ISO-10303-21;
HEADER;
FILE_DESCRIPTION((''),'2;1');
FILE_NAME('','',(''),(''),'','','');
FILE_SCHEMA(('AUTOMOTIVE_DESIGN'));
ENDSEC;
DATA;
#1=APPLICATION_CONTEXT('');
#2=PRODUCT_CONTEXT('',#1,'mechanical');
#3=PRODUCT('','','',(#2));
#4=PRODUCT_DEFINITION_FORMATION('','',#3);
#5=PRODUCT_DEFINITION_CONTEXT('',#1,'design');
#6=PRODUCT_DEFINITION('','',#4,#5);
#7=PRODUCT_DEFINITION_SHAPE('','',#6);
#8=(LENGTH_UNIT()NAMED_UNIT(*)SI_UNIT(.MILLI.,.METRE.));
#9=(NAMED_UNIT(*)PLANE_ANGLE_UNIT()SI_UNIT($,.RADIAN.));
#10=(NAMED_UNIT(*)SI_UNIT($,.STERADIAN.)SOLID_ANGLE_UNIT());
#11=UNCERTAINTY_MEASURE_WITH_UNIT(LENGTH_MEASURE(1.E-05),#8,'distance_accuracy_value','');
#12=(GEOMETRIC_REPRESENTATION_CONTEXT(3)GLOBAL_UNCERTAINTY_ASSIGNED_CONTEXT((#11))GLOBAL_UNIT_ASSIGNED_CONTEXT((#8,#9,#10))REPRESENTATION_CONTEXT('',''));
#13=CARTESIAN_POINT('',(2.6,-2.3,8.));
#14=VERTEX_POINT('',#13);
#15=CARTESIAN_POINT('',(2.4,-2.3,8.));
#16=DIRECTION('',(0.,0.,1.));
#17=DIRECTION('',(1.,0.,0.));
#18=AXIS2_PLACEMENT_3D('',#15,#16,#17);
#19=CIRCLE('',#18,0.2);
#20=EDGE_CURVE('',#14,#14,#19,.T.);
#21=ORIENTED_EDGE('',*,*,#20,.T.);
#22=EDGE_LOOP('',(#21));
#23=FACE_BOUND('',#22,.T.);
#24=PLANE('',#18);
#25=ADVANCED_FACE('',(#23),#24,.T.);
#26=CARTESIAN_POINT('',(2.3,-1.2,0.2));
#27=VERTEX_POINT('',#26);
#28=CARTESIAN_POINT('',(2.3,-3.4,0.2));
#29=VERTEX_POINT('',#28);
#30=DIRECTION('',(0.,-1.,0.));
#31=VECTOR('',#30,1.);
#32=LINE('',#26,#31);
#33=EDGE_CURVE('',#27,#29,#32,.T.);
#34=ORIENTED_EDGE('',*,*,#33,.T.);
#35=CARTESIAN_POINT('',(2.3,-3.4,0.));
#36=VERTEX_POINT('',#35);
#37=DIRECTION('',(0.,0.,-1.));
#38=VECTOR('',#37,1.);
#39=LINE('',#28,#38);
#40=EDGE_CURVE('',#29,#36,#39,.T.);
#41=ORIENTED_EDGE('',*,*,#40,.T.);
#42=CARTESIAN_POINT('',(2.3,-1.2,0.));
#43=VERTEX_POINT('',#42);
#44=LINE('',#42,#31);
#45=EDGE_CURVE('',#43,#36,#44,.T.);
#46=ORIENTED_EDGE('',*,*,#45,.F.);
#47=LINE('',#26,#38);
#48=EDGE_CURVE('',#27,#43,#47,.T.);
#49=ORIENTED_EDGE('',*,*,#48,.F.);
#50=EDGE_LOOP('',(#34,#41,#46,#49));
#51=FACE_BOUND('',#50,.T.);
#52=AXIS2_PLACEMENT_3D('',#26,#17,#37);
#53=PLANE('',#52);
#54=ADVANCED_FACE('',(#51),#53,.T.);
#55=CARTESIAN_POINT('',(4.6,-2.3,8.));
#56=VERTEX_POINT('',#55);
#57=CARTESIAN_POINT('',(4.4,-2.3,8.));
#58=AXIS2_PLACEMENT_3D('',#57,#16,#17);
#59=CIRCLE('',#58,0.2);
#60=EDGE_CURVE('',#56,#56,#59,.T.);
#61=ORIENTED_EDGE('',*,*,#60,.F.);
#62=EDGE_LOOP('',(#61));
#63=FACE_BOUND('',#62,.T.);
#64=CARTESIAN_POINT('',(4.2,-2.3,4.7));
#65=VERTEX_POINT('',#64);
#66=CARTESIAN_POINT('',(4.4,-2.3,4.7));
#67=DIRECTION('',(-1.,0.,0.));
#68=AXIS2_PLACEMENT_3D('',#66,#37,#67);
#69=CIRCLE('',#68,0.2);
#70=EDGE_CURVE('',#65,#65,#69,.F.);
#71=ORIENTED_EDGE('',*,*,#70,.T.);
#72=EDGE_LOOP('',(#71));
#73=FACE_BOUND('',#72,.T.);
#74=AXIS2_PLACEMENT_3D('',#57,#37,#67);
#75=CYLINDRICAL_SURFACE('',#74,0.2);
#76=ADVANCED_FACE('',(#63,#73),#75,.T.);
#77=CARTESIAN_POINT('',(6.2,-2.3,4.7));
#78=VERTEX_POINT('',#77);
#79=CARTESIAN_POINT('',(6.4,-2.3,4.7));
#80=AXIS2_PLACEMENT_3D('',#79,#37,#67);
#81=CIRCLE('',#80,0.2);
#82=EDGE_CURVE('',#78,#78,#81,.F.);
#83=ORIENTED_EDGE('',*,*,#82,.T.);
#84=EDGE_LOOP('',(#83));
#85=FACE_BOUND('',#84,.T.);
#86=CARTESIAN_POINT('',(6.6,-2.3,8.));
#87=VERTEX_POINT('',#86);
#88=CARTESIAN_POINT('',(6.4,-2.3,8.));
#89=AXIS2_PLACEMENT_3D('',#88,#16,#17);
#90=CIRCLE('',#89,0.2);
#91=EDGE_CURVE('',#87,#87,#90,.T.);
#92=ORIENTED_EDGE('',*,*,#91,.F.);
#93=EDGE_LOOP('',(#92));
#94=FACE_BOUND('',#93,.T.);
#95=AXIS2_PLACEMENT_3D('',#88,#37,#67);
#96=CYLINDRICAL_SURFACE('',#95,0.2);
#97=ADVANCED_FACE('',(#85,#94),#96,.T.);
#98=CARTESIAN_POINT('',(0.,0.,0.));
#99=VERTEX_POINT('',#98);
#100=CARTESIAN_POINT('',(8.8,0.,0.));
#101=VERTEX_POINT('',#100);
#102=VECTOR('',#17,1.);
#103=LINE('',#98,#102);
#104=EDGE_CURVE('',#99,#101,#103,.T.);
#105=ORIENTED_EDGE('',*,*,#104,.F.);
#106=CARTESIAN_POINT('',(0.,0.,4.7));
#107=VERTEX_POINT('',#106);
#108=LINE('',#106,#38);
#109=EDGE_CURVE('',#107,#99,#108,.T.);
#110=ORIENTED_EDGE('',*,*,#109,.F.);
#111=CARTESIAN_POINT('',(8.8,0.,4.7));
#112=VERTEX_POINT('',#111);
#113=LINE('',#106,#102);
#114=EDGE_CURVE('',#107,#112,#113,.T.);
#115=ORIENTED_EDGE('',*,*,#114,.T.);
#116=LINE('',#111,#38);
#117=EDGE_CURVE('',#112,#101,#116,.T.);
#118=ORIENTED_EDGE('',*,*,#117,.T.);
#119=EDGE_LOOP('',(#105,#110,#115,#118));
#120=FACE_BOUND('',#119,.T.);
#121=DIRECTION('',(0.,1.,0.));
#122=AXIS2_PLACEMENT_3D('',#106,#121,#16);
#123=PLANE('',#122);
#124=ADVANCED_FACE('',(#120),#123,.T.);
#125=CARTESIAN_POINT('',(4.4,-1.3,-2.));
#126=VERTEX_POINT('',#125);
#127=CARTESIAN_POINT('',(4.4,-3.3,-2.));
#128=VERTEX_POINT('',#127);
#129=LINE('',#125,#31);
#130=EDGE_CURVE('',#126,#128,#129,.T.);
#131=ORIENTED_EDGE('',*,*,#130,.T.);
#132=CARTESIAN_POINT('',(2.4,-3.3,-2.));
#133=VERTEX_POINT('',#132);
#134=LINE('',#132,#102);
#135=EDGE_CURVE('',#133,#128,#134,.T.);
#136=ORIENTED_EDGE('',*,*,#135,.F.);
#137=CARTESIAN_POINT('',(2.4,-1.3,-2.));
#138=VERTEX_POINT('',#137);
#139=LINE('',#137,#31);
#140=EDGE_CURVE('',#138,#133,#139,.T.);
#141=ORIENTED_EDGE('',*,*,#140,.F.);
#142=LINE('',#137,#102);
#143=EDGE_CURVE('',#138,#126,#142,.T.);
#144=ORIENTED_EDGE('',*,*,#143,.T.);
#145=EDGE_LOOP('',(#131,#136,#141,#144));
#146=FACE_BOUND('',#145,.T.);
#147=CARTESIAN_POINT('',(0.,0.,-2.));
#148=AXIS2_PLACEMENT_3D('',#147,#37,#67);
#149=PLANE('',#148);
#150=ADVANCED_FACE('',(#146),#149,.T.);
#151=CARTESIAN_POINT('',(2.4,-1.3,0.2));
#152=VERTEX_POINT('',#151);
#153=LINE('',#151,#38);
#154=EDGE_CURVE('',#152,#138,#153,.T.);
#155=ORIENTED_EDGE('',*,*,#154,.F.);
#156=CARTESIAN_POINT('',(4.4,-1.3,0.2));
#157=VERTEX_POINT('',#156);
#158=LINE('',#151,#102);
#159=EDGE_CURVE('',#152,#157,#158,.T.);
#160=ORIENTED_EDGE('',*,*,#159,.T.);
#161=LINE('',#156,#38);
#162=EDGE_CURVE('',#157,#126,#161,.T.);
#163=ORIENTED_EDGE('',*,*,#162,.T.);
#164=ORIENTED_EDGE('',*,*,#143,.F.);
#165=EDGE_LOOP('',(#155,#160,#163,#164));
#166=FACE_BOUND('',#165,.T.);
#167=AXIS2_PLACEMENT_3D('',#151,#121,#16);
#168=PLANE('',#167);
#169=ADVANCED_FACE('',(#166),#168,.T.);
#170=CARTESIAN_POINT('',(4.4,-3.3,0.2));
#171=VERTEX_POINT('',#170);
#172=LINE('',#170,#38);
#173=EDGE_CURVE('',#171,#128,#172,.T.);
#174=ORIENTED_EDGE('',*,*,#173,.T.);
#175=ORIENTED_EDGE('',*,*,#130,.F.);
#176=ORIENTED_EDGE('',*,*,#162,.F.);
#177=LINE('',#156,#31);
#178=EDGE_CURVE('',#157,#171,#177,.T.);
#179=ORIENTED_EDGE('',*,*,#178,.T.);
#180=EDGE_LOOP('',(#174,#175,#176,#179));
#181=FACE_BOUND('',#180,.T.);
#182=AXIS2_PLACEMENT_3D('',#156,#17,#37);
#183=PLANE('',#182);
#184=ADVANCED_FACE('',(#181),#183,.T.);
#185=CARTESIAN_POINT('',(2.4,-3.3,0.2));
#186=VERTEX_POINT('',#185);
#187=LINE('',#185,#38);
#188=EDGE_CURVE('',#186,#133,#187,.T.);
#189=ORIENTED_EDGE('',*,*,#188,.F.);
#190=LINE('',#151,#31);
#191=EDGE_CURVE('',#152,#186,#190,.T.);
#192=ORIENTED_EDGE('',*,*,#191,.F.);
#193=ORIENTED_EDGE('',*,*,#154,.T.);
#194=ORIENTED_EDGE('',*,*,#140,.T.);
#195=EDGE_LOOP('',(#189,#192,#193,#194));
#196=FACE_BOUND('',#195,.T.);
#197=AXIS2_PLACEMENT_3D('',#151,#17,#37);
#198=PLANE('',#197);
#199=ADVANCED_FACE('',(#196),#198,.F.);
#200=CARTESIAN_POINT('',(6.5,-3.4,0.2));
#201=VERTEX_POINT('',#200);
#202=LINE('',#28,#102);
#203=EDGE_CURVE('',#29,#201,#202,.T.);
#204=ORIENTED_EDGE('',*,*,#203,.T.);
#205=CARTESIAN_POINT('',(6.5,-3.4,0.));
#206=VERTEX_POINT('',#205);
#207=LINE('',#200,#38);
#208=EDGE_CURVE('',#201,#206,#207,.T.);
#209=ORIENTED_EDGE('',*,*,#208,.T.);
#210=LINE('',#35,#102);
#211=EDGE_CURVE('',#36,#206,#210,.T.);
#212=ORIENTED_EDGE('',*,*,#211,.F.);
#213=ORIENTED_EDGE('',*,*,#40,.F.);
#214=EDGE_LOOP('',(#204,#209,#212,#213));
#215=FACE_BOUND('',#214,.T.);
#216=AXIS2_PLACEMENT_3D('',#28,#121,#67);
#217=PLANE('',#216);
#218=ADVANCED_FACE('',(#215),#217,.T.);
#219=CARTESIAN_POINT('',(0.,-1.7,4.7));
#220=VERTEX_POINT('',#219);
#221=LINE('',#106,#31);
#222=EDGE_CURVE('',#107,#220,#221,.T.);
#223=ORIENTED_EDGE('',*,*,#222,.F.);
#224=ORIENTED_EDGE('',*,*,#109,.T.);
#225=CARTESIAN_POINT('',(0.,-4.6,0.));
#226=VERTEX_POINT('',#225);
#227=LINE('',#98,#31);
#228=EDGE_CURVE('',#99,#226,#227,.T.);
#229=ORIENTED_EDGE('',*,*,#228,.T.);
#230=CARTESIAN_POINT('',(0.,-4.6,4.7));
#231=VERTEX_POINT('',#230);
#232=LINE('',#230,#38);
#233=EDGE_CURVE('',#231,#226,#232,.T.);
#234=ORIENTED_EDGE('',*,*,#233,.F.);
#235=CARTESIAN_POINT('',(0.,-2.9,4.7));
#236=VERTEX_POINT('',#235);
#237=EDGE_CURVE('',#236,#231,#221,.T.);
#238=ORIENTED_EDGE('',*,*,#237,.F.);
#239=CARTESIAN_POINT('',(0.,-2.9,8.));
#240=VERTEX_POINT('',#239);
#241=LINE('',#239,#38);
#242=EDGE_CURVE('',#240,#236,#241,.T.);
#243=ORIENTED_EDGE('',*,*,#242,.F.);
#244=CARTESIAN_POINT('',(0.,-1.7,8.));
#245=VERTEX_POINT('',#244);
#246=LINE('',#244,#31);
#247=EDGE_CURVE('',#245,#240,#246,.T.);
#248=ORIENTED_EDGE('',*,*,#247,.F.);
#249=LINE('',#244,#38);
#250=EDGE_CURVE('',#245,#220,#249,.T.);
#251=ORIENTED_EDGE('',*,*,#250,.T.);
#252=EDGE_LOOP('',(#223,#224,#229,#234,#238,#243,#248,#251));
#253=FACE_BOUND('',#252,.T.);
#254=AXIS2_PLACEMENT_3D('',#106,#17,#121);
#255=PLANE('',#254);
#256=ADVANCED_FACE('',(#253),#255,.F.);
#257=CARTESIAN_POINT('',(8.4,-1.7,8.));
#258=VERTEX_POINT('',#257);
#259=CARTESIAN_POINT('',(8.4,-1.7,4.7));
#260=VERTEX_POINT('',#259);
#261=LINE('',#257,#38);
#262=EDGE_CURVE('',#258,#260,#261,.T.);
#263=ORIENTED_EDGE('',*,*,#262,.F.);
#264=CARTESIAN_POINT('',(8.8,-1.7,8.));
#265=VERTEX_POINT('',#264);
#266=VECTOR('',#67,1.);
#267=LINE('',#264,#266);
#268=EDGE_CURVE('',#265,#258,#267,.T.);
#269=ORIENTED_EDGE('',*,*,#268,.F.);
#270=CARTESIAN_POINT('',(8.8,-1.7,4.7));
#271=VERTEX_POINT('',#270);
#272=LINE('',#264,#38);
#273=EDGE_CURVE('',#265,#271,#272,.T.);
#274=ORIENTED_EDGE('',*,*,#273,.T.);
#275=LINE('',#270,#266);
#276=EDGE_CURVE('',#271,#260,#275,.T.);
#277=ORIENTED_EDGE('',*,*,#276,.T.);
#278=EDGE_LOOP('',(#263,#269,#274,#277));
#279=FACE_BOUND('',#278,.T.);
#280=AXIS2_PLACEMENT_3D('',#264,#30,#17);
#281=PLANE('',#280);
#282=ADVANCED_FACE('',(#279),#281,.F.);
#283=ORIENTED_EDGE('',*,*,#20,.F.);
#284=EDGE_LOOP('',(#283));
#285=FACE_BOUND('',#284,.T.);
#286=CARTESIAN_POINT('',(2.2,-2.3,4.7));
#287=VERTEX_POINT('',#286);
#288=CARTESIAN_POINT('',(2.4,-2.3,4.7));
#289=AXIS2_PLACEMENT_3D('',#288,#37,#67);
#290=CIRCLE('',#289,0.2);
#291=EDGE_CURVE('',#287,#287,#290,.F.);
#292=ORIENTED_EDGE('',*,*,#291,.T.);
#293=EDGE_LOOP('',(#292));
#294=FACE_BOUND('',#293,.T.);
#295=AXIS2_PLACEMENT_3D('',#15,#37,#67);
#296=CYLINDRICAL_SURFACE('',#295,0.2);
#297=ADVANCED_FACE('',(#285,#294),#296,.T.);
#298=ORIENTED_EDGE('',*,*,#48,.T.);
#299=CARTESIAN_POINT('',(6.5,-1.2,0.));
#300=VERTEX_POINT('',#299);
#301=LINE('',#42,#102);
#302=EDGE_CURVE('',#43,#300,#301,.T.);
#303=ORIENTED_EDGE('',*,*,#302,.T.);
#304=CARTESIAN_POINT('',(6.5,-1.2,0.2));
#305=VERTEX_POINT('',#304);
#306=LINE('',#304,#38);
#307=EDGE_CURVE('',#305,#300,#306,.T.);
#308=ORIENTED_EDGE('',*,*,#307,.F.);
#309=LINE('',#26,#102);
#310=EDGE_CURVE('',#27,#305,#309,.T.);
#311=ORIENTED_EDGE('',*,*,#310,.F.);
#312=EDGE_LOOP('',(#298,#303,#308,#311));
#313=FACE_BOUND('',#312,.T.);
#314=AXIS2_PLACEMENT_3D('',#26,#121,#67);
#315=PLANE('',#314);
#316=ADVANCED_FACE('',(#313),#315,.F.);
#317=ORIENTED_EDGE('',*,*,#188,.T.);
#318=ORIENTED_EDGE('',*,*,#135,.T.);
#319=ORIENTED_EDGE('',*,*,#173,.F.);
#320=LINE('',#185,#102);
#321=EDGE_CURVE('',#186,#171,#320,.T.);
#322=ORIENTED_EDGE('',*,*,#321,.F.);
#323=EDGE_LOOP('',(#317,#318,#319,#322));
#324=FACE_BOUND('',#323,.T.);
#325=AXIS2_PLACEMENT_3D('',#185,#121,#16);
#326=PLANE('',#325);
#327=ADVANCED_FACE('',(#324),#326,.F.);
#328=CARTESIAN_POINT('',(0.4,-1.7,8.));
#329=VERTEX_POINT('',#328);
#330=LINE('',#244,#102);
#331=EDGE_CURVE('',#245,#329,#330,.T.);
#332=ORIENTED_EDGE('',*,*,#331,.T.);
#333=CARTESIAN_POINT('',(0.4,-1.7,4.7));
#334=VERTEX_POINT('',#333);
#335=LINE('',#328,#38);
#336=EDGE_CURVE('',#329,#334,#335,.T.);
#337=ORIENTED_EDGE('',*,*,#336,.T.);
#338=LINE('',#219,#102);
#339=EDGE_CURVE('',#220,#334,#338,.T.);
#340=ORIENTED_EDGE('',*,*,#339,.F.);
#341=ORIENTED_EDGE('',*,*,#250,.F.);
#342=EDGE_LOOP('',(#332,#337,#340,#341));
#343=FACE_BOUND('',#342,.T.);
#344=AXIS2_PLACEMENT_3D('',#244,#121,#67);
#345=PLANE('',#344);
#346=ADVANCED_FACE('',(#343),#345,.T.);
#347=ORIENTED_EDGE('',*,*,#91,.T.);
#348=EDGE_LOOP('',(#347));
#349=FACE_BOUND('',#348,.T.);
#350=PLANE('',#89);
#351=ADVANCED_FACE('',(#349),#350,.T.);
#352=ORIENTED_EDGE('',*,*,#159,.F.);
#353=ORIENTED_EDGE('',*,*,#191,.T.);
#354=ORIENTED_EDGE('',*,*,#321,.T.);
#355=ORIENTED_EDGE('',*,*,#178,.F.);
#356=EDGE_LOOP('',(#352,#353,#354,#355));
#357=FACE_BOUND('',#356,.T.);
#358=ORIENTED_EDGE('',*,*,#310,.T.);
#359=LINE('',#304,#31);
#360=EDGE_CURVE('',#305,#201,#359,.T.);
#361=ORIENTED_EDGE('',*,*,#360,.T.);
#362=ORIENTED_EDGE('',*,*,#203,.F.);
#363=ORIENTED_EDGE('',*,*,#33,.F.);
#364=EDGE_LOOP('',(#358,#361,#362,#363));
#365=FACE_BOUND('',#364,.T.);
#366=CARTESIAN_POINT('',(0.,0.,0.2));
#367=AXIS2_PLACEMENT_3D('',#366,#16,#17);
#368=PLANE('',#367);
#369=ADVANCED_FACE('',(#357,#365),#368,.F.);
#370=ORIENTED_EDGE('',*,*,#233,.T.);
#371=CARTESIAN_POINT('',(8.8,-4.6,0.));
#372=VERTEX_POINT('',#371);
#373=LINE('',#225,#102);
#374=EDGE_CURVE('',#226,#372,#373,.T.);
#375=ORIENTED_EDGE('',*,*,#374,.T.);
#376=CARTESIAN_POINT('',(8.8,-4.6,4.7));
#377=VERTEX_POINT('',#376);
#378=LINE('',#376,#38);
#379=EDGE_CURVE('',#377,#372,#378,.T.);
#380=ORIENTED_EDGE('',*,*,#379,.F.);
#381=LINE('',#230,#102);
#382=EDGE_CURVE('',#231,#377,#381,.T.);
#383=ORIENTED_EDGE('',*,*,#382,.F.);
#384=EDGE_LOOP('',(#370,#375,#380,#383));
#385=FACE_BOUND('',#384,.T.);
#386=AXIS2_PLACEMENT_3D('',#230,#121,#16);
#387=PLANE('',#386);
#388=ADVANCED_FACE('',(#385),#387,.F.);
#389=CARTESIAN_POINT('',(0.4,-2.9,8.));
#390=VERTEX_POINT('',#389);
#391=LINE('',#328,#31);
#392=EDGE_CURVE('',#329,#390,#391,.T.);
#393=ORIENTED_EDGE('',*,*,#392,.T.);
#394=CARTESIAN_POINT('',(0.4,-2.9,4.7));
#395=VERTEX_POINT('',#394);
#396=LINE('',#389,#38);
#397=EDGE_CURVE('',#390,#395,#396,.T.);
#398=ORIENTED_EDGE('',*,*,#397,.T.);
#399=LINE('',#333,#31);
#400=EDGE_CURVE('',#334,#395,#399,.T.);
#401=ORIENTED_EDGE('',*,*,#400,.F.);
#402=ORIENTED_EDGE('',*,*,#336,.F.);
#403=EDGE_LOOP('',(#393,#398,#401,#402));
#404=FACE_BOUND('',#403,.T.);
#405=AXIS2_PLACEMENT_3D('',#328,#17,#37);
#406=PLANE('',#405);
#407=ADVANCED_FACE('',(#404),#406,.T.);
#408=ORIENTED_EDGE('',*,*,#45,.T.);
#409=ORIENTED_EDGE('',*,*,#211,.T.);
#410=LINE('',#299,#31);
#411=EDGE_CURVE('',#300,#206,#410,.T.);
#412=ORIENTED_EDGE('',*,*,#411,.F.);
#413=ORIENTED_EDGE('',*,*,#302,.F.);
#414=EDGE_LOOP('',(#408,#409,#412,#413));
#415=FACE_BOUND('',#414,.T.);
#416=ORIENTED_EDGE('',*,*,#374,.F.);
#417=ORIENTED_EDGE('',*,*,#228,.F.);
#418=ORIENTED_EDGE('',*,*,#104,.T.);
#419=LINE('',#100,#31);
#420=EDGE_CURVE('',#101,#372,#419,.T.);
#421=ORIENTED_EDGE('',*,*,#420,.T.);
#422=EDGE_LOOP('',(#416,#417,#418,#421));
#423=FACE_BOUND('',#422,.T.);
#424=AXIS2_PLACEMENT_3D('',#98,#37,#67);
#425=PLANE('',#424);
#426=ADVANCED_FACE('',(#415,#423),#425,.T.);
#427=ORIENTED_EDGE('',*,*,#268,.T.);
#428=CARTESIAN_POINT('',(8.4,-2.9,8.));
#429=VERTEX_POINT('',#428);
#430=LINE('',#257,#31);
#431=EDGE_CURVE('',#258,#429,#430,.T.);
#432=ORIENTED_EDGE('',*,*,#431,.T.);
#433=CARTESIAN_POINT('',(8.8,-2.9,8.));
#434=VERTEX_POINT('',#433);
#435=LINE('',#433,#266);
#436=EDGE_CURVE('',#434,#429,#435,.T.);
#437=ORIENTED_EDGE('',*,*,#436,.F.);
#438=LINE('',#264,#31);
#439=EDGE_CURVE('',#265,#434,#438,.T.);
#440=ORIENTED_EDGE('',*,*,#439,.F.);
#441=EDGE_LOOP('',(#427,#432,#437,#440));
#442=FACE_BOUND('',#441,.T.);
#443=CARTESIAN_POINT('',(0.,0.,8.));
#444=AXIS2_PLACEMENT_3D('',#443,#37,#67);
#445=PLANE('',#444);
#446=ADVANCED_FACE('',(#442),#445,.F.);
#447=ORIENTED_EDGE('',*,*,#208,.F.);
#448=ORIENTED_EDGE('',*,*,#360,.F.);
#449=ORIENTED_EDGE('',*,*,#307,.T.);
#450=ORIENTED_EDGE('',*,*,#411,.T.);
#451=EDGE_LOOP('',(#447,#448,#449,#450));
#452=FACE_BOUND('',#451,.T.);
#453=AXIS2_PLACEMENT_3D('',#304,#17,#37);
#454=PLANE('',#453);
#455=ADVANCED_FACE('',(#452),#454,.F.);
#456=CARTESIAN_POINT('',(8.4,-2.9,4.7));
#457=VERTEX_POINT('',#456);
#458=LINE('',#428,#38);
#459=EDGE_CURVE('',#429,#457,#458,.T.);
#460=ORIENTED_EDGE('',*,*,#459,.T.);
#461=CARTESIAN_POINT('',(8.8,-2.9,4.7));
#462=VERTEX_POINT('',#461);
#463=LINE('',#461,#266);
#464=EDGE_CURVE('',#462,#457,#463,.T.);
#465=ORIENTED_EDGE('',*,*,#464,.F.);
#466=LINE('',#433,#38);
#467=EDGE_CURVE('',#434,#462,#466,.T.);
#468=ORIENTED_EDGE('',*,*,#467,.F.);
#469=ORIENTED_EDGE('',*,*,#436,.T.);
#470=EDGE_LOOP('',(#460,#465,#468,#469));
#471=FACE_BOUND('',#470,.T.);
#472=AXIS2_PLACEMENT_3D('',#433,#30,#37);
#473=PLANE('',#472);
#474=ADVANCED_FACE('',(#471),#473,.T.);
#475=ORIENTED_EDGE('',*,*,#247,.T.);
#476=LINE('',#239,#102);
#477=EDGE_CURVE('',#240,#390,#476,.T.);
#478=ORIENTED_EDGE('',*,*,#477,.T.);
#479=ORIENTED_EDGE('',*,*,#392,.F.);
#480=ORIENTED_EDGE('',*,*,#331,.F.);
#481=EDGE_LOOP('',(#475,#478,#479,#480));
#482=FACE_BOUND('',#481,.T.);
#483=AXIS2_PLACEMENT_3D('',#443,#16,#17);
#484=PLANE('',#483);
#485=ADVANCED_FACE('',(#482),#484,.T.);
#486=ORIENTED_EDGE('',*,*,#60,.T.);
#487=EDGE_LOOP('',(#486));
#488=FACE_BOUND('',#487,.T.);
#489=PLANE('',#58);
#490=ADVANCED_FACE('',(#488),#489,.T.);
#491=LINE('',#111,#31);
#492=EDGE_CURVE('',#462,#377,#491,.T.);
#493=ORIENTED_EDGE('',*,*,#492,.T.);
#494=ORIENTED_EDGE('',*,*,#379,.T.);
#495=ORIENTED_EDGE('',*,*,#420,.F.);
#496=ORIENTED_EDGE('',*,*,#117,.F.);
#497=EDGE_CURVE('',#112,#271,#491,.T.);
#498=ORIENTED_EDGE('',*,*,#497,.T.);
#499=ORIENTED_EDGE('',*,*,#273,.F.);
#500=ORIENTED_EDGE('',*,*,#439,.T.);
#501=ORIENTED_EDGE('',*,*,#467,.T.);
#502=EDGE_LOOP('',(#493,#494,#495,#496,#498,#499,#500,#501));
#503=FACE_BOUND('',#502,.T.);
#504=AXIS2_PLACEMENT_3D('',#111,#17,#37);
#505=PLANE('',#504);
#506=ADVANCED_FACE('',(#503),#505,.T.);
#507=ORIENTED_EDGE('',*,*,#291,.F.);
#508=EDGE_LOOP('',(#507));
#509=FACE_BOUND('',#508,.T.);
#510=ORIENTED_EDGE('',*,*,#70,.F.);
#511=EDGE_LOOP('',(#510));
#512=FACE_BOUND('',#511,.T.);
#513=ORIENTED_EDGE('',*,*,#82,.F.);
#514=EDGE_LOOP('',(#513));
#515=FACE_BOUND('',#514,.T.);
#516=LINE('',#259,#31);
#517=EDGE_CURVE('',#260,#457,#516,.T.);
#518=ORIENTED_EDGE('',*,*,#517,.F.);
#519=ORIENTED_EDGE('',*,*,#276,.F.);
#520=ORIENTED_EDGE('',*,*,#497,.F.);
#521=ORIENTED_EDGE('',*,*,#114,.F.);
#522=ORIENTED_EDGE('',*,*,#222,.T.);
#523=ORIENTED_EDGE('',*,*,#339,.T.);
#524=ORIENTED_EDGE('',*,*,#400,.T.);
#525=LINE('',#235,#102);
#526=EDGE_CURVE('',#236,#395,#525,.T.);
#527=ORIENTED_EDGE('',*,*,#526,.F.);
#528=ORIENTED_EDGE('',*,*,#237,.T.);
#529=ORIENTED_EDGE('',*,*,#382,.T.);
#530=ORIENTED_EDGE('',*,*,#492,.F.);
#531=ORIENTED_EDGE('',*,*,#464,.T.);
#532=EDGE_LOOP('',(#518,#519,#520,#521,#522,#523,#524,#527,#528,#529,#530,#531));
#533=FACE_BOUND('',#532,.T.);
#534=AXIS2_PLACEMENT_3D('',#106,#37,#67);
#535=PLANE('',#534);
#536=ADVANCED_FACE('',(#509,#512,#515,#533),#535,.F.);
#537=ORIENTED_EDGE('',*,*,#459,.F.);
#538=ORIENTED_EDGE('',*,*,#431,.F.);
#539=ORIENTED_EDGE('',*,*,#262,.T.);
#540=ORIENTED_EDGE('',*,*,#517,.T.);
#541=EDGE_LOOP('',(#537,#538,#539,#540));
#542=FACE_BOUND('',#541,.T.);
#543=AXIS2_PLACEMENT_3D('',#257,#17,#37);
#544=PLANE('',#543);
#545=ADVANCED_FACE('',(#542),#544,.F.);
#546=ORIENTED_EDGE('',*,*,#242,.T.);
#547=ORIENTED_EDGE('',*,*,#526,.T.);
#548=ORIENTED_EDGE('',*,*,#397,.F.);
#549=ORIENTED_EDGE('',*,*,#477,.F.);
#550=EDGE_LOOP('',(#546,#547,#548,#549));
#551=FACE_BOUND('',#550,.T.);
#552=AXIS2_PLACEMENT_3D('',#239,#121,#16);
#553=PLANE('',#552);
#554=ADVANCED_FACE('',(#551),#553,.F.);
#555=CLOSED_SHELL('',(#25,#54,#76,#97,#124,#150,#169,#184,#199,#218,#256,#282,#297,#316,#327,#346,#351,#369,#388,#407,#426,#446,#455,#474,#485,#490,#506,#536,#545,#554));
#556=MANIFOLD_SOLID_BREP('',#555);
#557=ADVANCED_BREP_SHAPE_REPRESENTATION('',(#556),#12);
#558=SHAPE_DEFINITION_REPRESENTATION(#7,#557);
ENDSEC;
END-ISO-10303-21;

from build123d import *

# Parameters (mm, degrees)
SKETCH_1_W          = 8.8
SKETCH_1_H          = 4.6
EXTRUDE_1_DEPTH     = 4.7
SKETCH_1_3_W        = 4.2
SKETCH_1_3_H        = 2.2
SKETCH_1_3_W_2      = 2
SKETCH_1_3_H_2      = 2
CUT_EXTRUDE_1_DEPTH = 0.2
SKETCH_1_4_W        = 2
SKETCH_1_4_H        = 2
EXTRUDE_2_DEPTH     = 2
SKETCH_2_R          = 0.2
SKETCH_2_W          = 0.4
SKETCH_2_H          = 1.2
EXTRUDE_3_DEPTH     = 3.3


with BuildPart() as part:
    # 草图1 → 凸台-拉伸1 (new body)
    with BuildSketch(Plane.XY):
        with Locations((4.4, -2.3)):
            Rectangle(SKETCH_1_W, SKETCH_1_H)
    extrude(amount=EXTRUDE_1_DEPTH)

    # 草图1<3> → 切除-拉伸1 (cut)
    with BuildSketch(Plane.XY):
        with Locations((4.4, -2.3)):
            Rectangle(SKETCH_1_3_W, SKETCH_1_3_H)
        with Locations((3.4, -2.3)):
            Rectangle(SKETCH_1_3_W_2, SKETCH_1_3_H_2, mode=Mode.SUBTRACT)
    extrude(amount=CUT_EXTRUDE_1_DEPTH, mode=Mode.SUBTRACT)

    # 草图1<4> → 凸台-拉伸2 (add)
    with BuildSketch(Plane.XY):
        with Locations((3.4, -2.3)):
            Rectangle(SKETCH_1_4_W, SKETCH_1_4_H)
    extrude(amount=-EXTRUDE_2_DEPTH)

    # 草图2 → 凸台-拉伸3 (add)
    with BuildSketch(Plane.XY.offset(4.7)):
        with Locations((2.4, -2.3)):
            Circle(SKETCH_2_R)
        with Locations((4.4, -2.3)):
            Circle(SKETCH_2_R)
        with Locations((6.4, -2.3)):
            Circle(SKETCH_2_R)
        with Locations((8.6, -2.3)):
            Rectangle(SKETCH_2_W, SKETCH_2_H)
        with Locations((0.2, -2.3)):
            Rectangle(SKETCH_2_W, SKETCH_2_H)
    extrude(amount=EXTRUDE_3_DEPTH)


solid = part.part
